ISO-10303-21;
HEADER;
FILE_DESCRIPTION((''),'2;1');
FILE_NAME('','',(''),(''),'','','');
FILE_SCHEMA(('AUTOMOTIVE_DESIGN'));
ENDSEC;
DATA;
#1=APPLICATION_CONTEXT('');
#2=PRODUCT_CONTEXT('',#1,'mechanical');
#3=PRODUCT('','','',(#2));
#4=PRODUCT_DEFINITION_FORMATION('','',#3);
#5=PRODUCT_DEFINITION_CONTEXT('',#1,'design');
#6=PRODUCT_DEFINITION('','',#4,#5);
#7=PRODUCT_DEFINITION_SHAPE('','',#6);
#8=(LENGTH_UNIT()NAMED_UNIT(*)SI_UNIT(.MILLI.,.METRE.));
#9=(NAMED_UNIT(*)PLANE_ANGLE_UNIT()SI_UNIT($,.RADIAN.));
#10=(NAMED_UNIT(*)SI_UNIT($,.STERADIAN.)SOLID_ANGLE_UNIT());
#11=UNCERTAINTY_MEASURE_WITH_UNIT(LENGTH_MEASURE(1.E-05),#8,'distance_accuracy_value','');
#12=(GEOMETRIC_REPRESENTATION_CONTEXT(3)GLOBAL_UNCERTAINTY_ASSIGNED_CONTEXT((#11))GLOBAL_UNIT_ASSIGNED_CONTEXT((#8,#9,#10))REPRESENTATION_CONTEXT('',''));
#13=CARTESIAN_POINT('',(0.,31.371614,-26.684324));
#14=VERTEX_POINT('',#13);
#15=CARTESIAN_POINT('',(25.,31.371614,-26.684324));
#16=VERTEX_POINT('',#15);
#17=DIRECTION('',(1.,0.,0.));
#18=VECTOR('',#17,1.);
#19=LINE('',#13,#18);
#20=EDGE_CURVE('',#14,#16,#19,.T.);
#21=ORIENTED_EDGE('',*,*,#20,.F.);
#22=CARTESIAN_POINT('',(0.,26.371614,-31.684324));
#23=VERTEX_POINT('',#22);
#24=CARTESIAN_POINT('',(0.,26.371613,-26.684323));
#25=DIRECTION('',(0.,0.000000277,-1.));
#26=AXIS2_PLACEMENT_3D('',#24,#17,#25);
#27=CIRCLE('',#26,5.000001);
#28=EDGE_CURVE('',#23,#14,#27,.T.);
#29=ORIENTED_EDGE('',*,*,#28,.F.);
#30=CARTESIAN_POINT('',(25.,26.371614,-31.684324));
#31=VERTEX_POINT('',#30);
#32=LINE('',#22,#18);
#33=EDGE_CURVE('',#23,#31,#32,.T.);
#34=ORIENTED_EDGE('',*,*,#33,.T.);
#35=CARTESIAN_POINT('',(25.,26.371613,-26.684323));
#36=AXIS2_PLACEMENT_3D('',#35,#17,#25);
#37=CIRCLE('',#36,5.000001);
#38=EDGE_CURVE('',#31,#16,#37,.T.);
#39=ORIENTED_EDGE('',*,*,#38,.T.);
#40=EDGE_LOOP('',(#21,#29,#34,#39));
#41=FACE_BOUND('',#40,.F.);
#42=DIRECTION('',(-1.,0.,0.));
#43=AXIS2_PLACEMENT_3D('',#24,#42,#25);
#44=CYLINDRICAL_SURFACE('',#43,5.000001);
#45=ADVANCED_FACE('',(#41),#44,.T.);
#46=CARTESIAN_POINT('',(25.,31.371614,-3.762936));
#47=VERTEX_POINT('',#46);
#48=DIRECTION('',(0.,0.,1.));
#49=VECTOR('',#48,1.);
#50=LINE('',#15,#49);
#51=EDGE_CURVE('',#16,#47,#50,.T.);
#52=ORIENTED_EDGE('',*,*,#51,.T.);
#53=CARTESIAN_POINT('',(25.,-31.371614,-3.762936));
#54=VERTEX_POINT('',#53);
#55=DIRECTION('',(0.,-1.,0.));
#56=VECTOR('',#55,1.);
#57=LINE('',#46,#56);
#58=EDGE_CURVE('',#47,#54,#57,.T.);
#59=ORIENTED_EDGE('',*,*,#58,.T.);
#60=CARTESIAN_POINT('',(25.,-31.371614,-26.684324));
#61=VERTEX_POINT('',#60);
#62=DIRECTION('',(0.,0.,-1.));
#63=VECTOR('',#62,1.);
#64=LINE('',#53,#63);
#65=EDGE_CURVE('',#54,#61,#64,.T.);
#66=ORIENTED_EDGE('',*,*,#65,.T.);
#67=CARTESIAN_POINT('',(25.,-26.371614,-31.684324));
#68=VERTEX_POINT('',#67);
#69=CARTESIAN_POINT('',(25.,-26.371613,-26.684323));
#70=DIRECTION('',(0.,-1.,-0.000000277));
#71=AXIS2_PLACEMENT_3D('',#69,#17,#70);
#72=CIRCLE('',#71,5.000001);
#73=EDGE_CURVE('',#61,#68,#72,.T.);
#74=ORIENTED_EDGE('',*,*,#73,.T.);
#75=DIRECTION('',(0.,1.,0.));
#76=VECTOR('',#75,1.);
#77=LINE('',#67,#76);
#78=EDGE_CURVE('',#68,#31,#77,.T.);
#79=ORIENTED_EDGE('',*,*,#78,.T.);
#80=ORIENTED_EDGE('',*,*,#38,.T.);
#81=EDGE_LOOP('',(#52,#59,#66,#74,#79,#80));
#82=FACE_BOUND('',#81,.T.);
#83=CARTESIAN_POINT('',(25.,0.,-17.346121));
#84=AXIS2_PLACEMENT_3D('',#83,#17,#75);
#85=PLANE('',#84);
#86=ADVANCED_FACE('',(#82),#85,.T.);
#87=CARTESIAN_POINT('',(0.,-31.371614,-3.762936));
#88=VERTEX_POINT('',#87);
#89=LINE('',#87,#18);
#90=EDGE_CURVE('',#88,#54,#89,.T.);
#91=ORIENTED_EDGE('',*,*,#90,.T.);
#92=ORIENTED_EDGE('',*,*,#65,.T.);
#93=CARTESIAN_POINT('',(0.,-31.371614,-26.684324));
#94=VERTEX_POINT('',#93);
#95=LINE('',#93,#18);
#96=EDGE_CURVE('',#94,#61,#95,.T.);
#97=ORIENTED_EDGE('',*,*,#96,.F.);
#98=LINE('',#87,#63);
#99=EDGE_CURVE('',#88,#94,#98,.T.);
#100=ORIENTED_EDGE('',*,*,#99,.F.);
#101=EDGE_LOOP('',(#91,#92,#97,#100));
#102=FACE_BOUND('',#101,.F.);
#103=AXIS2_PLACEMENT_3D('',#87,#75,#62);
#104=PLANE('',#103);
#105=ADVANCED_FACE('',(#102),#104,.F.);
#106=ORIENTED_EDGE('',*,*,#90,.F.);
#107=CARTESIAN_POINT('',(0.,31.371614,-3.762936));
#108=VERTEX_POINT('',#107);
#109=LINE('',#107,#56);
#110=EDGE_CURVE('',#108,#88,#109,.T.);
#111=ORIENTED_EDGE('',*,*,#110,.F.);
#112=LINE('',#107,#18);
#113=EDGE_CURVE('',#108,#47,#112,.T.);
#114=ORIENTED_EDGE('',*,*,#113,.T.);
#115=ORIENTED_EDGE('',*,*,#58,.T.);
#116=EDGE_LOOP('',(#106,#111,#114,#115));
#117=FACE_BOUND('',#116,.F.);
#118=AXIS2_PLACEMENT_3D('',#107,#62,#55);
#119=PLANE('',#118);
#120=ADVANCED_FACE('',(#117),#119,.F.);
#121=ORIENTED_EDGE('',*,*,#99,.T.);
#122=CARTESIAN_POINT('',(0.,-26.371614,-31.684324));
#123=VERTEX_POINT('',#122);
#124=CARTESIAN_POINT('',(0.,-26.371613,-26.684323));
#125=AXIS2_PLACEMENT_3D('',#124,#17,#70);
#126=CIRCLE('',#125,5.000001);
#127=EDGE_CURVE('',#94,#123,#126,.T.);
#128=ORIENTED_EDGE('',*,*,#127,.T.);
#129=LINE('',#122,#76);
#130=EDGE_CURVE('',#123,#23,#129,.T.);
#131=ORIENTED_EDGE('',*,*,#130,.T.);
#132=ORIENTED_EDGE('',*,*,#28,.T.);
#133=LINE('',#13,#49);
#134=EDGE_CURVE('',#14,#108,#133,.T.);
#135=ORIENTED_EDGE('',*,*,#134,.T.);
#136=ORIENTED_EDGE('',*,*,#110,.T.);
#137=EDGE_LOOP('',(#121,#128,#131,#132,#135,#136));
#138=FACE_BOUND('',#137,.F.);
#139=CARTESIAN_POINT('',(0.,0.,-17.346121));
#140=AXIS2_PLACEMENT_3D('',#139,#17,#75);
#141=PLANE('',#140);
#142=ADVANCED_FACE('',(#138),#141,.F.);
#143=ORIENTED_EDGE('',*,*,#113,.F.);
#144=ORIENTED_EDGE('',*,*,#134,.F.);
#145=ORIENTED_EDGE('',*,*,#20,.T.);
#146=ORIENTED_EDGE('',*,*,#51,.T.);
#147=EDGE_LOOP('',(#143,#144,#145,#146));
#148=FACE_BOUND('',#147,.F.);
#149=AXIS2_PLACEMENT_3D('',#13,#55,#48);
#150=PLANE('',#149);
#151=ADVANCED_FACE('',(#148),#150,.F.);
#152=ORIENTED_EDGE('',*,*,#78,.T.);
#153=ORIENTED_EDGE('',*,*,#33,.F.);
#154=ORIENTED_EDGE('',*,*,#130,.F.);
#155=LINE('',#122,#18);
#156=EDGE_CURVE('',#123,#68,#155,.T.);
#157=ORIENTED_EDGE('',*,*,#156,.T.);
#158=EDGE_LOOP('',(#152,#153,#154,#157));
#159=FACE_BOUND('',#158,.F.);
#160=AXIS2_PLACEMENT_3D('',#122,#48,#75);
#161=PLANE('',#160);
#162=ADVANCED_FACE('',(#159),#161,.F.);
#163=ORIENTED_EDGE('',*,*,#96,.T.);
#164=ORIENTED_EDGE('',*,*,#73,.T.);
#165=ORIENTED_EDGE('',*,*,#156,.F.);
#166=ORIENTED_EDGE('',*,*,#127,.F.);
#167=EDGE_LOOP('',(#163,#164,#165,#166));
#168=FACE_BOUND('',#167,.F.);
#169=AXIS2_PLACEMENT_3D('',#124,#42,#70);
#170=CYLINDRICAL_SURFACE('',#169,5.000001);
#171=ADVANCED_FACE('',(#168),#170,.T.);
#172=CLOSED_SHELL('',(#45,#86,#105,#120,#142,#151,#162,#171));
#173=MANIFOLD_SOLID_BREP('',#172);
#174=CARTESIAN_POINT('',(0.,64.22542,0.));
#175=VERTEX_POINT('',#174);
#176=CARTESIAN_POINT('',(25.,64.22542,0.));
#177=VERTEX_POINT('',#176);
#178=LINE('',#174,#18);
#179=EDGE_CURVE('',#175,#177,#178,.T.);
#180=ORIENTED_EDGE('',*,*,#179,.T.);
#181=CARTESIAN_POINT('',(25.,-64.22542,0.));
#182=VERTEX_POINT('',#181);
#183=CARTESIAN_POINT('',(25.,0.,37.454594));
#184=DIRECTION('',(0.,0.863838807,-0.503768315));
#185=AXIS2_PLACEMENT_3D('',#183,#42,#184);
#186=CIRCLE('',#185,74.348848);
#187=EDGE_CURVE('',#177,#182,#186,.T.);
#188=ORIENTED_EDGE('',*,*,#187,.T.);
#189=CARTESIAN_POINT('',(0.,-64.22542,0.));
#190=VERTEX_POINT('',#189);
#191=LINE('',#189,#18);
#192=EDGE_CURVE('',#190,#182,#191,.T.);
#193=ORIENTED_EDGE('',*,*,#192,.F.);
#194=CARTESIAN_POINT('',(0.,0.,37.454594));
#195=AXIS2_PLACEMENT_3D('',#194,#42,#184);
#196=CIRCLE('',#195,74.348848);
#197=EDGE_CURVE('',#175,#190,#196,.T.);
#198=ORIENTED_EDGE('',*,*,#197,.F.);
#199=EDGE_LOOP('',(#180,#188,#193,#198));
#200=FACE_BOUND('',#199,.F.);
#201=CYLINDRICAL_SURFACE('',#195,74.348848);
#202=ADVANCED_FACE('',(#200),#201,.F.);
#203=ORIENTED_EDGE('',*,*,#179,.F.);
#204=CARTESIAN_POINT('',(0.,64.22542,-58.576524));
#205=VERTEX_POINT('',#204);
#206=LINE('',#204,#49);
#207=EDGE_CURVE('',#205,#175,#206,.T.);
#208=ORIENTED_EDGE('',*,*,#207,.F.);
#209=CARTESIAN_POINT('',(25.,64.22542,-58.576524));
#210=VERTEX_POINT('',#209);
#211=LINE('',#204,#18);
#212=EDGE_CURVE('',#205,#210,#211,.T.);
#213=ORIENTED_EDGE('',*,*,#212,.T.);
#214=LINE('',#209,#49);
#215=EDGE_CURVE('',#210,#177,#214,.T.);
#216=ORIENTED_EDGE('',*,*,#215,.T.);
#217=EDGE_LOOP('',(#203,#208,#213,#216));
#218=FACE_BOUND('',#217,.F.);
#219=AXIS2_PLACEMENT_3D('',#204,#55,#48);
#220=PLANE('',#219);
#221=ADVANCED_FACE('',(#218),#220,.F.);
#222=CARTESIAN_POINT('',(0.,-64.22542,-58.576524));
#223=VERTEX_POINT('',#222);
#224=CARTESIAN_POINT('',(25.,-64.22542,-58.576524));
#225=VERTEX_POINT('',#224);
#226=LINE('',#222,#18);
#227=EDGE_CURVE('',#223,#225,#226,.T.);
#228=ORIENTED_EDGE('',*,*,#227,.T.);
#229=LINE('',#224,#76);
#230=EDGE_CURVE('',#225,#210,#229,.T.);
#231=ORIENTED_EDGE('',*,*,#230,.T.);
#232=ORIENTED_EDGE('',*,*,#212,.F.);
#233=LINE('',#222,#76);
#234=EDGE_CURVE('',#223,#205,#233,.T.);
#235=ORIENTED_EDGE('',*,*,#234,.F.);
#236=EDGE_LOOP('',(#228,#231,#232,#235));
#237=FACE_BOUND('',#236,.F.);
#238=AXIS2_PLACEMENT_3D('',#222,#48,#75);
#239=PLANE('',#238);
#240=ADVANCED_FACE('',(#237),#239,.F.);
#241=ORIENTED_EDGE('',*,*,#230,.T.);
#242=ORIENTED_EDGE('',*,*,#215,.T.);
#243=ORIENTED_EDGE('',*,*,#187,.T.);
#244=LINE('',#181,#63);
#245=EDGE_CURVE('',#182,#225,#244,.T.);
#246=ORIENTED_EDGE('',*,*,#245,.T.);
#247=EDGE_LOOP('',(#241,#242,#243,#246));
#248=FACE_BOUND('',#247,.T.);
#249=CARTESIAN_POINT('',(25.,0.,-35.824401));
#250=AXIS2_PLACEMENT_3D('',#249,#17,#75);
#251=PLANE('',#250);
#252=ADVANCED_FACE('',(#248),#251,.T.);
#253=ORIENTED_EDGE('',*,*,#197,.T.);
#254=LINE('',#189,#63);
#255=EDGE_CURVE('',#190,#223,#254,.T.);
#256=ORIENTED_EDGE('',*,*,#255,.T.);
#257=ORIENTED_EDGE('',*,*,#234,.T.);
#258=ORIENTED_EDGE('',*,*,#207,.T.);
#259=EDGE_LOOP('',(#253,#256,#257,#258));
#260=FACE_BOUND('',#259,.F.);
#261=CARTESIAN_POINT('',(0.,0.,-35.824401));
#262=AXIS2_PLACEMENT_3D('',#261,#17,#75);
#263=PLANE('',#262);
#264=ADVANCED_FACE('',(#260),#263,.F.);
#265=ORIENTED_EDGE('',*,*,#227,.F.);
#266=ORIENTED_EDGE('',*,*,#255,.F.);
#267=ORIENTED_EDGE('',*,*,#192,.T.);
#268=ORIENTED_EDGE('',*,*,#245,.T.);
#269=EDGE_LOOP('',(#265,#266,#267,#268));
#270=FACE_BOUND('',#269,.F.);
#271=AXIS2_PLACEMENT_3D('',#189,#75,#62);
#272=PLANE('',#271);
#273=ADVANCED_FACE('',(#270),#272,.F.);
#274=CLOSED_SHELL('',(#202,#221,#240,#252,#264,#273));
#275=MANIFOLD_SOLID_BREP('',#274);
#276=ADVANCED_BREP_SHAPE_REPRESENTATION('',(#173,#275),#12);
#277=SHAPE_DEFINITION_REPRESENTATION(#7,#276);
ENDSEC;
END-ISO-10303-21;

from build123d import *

# Parameters (mm, degrees)
F1_DEPTH = 25
F3_DEPTH = 25


with BuildPart() as f1:
    # F0 (on Right) → F1 (new body)
    with BuildSketch(Plane.YZ):
        with BuildLine():
            ThreePointArc((64.22542, 0), (0, -36.894254), (-64.22542, 0))
            Line((-64.22542, 0), (-64.22542, -58.576524))
            Line((-64.22542, -58.576524), (64.22542, -58.576524))
            Line((64.22542, -58.576524), (64.22542, 0))
        make_face()
    extrude(amount=F1_DEPTH)


with BuildPart() as f3:
    # F2 (on Right) → F3 (new body)
    with BuildSketch(Plane.YZ):
        with BuildLine():
            Line((31.371614, -3.762936), (-31.371614, -3.762936))
            Line((-31.371614, -3.762936), (-31.371614, -26.684324))
            ThreePointArc((-31.371614, -26.684324), (-29.907148, -30.219857), (-26.371614, -31.684324))
            Line((-26.371614, -31.684324), (26.371614, -31.684324))
            ThreePointArc((26.371614, -31.684324), (29.907148, -30.219857), (31.371614, -26.684324))
            Line((31.371614, -26.684324), (31.371614, -3.762936))
        make_face()
    extrude(amount=F3_DEPTH)


solid = Compound([f1.part, f3.part])
